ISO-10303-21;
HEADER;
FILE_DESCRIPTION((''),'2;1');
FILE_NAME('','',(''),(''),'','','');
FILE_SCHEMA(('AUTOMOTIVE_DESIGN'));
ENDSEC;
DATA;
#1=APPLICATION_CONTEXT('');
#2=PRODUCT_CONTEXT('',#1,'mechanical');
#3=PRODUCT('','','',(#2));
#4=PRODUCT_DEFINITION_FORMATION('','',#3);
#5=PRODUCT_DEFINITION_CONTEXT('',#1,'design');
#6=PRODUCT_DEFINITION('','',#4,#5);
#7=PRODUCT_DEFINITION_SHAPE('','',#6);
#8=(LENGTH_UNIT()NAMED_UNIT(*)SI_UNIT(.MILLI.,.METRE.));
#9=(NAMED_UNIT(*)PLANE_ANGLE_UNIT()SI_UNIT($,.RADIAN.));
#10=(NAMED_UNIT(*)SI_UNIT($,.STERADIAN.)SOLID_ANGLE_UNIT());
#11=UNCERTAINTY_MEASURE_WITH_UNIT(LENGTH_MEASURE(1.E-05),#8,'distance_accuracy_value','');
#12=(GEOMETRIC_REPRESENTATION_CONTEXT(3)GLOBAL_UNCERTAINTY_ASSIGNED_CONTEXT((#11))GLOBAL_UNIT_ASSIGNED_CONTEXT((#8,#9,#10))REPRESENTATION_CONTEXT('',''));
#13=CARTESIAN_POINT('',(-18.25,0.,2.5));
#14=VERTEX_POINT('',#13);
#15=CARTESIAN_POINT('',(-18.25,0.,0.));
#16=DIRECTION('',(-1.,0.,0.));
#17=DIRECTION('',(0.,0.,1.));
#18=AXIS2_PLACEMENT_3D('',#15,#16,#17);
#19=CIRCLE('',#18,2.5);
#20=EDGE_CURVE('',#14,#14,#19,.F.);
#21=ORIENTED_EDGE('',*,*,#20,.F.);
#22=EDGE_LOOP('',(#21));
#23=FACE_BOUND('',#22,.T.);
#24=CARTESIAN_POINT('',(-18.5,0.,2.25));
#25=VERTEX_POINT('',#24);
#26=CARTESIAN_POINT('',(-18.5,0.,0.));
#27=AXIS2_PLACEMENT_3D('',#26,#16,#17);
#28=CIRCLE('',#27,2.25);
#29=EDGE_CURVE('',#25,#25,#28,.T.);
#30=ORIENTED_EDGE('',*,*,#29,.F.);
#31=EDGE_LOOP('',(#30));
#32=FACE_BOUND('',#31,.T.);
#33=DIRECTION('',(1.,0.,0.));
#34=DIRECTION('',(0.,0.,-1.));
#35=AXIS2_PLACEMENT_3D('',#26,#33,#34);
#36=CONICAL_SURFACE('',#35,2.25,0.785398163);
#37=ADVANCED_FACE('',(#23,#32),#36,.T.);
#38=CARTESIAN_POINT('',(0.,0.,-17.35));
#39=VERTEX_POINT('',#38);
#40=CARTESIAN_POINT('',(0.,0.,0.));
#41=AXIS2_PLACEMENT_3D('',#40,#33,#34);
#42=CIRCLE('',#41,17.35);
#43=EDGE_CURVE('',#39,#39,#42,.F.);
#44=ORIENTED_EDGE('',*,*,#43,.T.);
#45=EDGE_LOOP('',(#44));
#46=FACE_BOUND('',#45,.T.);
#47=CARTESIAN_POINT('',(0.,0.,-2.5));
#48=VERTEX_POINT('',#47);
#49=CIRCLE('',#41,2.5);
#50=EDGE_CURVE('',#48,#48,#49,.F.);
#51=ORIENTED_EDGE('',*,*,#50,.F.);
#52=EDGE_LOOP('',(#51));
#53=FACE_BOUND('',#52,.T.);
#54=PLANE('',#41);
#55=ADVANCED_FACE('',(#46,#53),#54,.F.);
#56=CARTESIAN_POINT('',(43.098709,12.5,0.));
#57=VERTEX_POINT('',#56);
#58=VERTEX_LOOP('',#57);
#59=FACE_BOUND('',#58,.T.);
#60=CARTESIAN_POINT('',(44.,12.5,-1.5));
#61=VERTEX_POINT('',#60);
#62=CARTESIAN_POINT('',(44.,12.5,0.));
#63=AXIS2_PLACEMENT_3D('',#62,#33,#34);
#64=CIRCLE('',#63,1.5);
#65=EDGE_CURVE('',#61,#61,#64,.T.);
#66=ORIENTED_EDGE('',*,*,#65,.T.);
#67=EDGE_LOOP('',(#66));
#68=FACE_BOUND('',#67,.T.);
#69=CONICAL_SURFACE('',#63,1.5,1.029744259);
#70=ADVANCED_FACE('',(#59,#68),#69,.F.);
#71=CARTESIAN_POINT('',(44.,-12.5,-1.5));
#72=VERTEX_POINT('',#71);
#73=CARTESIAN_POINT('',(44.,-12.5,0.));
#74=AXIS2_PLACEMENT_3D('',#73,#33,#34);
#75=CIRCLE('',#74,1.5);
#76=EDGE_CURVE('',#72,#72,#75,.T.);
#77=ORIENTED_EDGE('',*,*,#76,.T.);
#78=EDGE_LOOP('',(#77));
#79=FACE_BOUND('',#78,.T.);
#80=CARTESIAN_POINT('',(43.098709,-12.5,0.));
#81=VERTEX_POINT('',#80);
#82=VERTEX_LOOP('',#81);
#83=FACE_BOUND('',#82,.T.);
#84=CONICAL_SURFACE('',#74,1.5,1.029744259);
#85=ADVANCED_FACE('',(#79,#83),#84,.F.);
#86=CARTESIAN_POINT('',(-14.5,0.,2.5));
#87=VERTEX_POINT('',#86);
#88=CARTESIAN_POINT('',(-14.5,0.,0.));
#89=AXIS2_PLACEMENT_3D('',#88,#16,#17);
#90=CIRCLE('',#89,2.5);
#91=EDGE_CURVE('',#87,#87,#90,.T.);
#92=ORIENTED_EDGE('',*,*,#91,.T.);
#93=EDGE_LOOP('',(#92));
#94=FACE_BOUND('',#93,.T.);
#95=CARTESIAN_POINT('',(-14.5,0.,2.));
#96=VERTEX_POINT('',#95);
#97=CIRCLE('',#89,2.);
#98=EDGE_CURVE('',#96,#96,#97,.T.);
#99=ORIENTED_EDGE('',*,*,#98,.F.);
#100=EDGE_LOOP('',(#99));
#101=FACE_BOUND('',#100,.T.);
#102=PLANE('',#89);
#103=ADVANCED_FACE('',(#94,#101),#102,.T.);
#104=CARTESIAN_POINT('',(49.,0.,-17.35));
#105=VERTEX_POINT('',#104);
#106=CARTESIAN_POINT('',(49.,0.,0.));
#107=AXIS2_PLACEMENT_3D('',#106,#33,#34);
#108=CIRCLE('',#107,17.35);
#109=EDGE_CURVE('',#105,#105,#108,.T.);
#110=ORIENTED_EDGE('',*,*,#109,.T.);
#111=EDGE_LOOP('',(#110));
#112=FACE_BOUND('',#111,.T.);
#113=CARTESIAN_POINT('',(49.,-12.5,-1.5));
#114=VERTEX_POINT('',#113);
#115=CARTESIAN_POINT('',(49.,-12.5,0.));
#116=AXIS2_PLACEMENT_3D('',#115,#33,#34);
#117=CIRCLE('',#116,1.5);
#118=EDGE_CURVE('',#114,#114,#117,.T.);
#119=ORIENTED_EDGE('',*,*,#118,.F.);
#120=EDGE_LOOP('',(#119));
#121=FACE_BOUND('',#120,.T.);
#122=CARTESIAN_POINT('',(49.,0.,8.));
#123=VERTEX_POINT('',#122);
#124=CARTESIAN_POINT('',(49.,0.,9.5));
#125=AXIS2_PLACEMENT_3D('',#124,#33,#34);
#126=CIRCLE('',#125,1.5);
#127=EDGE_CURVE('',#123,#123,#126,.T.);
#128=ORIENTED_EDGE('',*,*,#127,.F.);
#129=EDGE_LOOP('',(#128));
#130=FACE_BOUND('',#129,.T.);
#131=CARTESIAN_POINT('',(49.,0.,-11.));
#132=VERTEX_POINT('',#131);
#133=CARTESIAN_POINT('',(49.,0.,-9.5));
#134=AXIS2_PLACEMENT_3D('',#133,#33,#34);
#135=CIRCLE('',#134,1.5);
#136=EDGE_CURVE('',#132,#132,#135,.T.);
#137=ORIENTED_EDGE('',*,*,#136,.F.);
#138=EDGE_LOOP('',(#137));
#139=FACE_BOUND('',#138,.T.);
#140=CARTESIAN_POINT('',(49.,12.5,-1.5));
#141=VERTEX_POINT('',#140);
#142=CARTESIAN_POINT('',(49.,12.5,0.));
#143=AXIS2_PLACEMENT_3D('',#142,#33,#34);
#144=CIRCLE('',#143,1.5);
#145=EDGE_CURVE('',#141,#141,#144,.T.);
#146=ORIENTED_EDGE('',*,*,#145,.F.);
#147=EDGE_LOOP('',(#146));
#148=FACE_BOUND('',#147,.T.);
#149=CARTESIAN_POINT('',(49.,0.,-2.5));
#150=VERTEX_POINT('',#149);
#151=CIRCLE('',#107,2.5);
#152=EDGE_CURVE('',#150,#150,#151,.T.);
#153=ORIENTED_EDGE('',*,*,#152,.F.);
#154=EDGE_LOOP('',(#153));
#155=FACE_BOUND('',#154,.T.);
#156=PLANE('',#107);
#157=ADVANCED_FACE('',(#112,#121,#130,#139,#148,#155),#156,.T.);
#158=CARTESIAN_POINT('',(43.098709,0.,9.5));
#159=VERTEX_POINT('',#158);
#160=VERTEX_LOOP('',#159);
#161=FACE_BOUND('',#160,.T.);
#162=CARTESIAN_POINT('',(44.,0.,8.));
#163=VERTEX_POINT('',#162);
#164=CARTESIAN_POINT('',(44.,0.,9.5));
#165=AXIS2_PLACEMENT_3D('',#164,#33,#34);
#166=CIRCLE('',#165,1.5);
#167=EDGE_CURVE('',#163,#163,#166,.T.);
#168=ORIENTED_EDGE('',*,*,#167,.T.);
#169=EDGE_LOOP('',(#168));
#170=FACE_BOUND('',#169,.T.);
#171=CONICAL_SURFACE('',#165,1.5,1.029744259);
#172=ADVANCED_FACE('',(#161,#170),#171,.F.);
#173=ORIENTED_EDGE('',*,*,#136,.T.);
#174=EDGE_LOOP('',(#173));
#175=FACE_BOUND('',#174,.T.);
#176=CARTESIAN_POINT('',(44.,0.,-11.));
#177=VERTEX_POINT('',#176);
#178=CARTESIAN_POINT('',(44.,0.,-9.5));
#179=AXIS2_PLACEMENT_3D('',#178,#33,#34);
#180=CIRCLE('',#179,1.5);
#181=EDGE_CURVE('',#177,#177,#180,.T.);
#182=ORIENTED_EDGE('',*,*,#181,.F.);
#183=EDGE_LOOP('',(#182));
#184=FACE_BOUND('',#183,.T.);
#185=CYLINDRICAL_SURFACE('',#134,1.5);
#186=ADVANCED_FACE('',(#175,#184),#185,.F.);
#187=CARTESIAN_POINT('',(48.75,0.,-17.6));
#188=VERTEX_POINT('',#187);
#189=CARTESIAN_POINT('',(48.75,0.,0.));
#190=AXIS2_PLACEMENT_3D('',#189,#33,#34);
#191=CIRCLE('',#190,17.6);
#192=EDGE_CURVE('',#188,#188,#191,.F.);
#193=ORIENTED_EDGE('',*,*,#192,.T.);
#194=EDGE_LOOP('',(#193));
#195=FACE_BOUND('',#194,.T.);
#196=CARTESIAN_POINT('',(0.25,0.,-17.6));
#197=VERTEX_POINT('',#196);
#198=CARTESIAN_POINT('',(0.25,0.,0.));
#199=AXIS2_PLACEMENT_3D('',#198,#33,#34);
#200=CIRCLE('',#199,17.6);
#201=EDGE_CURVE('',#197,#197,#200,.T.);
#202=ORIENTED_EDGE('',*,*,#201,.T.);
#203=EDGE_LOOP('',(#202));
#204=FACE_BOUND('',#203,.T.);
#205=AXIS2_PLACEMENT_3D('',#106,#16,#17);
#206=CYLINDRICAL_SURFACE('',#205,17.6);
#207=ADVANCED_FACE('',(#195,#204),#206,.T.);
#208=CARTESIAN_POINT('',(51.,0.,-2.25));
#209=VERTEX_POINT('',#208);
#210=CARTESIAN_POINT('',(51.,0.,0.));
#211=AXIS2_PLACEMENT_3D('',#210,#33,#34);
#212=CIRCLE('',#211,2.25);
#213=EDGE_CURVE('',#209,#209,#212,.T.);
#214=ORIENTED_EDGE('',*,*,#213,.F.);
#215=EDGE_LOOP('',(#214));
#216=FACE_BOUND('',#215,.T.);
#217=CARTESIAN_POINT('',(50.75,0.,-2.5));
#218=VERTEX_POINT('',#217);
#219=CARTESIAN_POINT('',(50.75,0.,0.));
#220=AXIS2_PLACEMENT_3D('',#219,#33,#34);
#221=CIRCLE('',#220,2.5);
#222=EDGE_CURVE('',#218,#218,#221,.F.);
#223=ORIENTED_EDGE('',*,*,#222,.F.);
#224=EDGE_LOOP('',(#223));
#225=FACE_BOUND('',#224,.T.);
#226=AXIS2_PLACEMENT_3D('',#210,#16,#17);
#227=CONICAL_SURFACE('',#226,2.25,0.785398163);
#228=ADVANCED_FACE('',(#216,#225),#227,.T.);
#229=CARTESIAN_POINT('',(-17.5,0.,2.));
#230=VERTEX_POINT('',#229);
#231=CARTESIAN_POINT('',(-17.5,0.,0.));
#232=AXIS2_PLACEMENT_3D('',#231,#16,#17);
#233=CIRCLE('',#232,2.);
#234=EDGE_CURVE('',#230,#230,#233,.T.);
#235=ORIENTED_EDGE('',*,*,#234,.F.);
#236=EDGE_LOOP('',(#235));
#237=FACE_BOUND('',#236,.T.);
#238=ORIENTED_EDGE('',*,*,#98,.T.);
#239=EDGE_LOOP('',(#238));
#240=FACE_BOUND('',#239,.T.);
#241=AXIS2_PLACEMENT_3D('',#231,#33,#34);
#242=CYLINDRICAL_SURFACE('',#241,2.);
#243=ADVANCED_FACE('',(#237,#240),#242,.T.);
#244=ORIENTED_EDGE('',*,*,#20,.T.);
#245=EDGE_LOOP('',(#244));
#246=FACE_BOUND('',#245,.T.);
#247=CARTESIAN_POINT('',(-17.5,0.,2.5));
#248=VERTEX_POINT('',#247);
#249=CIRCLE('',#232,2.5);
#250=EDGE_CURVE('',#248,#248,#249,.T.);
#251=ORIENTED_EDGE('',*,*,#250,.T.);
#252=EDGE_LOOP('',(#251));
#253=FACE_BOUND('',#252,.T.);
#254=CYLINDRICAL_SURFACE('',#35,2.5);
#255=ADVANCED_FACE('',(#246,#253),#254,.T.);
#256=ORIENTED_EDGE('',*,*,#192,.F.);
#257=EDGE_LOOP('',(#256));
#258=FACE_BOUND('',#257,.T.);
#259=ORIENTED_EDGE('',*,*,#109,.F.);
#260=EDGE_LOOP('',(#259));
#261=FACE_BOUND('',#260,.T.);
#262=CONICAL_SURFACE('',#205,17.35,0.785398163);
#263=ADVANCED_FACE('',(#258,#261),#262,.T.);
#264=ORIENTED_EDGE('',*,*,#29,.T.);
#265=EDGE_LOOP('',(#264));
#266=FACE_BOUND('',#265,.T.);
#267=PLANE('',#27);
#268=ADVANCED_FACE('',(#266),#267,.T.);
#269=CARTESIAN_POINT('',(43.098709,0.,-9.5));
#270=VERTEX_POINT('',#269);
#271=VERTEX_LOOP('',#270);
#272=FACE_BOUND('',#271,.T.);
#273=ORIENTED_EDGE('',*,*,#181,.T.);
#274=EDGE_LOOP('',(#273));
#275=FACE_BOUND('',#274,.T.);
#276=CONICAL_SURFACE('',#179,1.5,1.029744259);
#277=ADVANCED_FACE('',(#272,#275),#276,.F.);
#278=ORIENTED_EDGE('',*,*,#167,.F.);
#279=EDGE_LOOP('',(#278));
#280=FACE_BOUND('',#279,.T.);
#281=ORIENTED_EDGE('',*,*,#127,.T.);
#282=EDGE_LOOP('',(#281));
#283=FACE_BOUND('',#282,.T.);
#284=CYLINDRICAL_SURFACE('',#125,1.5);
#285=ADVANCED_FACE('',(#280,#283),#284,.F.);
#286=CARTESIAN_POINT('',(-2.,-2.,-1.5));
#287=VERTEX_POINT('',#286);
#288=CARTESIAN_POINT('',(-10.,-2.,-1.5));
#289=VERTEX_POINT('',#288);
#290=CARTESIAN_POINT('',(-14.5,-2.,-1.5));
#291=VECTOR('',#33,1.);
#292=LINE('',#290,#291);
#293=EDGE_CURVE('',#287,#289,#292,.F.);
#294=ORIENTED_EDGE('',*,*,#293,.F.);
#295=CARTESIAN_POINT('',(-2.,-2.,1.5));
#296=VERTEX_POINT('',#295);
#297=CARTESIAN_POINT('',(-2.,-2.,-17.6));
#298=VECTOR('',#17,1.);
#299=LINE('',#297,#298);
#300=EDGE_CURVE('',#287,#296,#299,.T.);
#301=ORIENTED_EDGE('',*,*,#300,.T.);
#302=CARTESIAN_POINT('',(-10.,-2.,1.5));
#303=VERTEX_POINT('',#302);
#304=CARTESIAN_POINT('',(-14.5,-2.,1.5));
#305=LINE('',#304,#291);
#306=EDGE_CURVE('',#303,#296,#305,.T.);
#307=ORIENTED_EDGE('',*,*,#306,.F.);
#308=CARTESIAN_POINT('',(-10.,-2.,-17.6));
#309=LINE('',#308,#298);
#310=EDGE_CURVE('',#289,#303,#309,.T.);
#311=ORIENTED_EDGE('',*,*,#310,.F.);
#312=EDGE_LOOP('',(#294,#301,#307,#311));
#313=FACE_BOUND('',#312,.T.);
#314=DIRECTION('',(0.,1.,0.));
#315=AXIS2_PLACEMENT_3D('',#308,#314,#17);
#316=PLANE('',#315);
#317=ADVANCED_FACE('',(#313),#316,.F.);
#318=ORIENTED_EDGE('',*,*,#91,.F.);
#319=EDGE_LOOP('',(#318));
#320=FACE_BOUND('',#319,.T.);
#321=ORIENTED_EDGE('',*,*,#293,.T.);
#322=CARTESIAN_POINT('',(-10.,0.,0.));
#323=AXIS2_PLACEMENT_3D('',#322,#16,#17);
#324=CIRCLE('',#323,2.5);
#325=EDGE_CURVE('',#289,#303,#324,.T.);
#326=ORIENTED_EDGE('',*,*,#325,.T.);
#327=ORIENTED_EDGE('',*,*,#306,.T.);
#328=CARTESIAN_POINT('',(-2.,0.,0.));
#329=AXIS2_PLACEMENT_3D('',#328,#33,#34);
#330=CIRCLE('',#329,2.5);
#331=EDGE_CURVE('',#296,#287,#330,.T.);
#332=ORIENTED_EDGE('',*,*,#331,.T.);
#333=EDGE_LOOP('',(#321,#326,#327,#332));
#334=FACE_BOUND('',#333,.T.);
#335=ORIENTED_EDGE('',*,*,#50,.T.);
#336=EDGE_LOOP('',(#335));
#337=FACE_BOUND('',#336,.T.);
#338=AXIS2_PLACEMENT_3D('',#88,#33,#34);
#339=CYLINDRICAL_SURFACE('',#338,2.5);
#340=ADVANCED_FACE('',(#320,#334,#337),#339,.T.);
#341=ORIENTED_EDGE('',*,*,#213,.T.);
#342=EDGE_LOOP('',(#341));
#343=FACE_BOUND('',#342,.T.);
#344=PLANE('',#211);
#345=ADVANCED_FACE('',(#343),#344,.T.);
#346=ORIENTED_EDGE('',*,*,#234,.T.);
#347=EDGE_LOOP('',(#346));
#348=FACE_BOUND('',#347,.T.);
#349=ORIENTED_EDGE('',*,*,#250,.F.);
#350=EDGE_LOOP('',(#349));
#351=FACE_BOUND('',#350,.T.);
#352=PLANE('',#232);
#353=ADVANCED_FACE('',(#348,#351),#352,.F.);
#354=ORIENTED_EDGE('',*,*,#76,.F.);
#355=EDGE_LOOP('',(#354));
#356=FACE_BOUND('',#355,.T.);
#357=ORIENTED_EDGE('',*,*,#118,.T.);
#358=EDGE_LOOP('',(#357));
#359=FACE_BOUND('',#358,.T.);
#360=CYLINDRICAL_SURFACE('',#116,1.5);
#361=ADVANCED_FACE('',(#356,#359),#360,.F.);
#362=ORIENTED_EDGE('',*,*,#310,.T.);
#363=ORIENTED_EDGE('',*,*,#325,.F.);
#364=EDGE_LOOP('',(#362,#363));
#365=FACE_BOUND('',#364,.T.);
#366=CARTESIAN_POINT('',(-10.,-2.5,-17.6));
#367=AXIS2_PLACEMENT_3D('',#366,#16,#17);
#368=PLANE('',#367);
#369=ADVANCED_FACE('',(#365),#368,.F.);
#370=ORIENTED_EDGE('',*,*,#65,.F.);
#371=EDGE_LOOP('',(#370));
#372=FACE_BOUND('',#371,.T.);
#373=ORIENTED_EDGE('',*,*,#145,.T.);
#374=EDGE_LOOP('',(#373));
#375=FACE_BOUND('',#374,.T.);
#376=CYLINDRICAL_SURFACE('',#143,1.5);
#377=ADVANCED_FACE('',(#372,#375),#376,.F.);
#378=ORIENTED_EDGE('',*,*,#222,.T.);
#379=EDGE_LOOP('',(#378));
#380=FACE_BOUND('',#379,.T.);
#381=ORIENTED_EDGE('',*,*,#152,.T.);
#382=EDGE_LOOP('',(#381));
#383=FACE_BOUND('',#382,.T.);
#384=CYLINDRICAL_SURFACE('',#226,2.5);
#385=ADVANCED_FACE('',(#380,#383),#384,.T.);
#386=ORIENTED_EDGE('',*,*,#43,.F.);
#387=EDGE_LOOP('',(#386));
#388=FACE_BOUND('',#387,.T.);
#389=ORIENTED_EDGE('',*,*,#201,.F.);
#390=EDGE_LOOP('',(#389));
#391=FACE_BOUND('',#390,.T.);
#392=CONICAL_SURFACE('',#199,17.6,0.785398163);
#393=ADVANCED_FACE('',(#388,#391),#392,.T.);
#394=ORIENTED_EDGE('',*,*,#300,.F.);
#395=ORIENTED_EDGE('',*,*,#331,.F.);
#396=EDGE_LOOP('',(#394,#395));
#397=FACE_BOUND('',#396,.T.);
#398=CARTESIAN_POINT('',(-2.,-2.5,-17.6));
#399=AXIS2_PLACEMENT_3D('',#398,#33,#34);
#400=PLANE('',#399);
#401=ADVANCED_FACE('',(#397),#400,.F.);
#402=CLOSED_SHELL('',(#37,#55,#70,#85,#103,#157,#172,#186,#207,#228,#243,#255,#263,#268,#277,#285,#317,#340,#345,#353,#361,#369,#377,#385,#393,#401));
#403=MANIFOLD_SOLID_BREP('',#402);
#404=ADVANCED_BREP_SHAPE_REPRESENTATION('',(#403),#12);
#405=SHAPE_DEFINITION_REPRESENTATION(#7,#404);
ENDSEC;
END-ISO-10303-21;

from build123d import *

# Parameters (mm, degrees)
SKETCH1_R                    = 17.6
BOSS_EXTRUDE1_DEPTH          = 49
F_3_0_3_DIAMETER_HOLE1_D     = 3
F_3_0_3_DIAMETER_HOLE1_DEPTH = 5
F_3_0_3_DIAMETER_HOLE1_TIP   = 0.901290929
SKETCH6_R                    = 2.5
BOSS_EXTRUDE2_DEPTH          = 2
BOSS_EXTRUDE3_START          = 14.5
SKETCH7_R                    = 2.5
BOSS_EXTRUDE3_DEPTH          = 14.5
SKETCH8_R                    = 2
BOSS_EXTRUDE4_DEPTH          = 3
BOSS_EXTRUDE5_START          = 18.5
SKETCH7_2_R                  = 2.5
BOSS_EXTRUDE5_DEPTH          = 1
CHAMFER1_SIZE                = 0.25
CUT_EXTRUDE1_DEPTH           = 57.749625549
CUT_EXTRUDE1_DEPTH_BACK      = 57.749625549
SKETCH9_W                    = 8
SKETCH9_H                    = 0.5


with BuildPart() as part:
    # Sketch1 → Boss-Extrude1 (new body)
    with BuildSketch(Plane(origin=(0, 0, 0), x_dir=(0, 0, -1), z_dir=(1, 0, 0))):
        Circle(SKETCH1_R)
    extrude(amount=BOSS_EXTRUDE1_DEPTH)

    # Ø3.0 (3) Diameter Hole1
    with Locations(Plane(origin=(49, 0, 0), x_dir=(0, 0, -1), z_dir=(1, 0, 0))):
        with Locations((0, 12.5), (9.5, 0), (0, -12.5), (-9.5, 0)):
            Hole(F_3_0_3_DIAMETER_HOLE1_D / 2, depth=F_3_0_3_DIAMETER_HOLE1_DEPTH)
            with Locations((0, 0, -(F_3_0_3_DIAMETER_HOLE1_DEPTH + F_3_0_3_DIAMETER_HOLE1_TIP / 2))):  # 118° drill point
                Cone(0, F_3_0_3_DIAMETER_HOLE1_D / 2, F_3_0_3_DIAMETER_HOLE1_TIP, mode=Mode.SUBTRACT)

    # Sketch6 → Boss-Extrude2 (add)
    with BuildSketch(Plane(origin=(49, 0, 0), x_dir=(0, 0, -1), z_dir=(1, 0, 0))):
        Circle(SKETCH6_R)
    extrude(amount=BOSS_EXTRUDE2_DEPTH)

    # Sketch7 → Boss-Extrude3 (add)
    with BuildSketch(Plane.ZY.offset(BOSS_EXTRUDE3_START)):
        Circle(SKETCH7_R)
    extrude(amount=-BOSS_EXTRUDE3_DEPTH)

    # Sketch8 → Boss-Extrude4 (add)
    with BuildSketch(Plane.ZY.offset(14.5)):
        Circle(SKETCH8_R)
    extrude(amount=BOSS_EXTRUDE4_DEPTH)

    # Sketch7<2> → Boss-Extrude5 (add)
    with BuildSketch(Plane.ZY.offset(BOSS_EXTRUDE5_START)):
        Circle(SKETCH7_2_R)
    extrude(amount=-BOSS_EXTRUDE5_DEPTH)

    # Chamfer1
    chamfer1_edges = [part.edges().sort_by_distance(p)[0] for p in [
        (51, 0, 2.5),
        (-18.5, 0, -2.5),
        (0, 0, 17.6),
        (49, 0, 17.6),
    ]]
    chamfer(chamfer1_edges, length=CHAMFER1_SIZE)

    # Sketch9 → Cut-Extrude1 (cut, two sides: drawn at the far end of the back side and taken through both)
    with BuildSketch(Plane.XY.offset(-CUT_EXTRUDE1_DEPTH_BACK)):
        with Locations((-6, -2.25)):
            Rectangle(SKETCH9_W, SKETCH9_H)
    extrude(amount=CUT_EXTRUDE1_DEPTH + CUT_EXTRUDE1_DEPTH_BACK, mode=Mode.SUBTRACT)


solid = part.part
